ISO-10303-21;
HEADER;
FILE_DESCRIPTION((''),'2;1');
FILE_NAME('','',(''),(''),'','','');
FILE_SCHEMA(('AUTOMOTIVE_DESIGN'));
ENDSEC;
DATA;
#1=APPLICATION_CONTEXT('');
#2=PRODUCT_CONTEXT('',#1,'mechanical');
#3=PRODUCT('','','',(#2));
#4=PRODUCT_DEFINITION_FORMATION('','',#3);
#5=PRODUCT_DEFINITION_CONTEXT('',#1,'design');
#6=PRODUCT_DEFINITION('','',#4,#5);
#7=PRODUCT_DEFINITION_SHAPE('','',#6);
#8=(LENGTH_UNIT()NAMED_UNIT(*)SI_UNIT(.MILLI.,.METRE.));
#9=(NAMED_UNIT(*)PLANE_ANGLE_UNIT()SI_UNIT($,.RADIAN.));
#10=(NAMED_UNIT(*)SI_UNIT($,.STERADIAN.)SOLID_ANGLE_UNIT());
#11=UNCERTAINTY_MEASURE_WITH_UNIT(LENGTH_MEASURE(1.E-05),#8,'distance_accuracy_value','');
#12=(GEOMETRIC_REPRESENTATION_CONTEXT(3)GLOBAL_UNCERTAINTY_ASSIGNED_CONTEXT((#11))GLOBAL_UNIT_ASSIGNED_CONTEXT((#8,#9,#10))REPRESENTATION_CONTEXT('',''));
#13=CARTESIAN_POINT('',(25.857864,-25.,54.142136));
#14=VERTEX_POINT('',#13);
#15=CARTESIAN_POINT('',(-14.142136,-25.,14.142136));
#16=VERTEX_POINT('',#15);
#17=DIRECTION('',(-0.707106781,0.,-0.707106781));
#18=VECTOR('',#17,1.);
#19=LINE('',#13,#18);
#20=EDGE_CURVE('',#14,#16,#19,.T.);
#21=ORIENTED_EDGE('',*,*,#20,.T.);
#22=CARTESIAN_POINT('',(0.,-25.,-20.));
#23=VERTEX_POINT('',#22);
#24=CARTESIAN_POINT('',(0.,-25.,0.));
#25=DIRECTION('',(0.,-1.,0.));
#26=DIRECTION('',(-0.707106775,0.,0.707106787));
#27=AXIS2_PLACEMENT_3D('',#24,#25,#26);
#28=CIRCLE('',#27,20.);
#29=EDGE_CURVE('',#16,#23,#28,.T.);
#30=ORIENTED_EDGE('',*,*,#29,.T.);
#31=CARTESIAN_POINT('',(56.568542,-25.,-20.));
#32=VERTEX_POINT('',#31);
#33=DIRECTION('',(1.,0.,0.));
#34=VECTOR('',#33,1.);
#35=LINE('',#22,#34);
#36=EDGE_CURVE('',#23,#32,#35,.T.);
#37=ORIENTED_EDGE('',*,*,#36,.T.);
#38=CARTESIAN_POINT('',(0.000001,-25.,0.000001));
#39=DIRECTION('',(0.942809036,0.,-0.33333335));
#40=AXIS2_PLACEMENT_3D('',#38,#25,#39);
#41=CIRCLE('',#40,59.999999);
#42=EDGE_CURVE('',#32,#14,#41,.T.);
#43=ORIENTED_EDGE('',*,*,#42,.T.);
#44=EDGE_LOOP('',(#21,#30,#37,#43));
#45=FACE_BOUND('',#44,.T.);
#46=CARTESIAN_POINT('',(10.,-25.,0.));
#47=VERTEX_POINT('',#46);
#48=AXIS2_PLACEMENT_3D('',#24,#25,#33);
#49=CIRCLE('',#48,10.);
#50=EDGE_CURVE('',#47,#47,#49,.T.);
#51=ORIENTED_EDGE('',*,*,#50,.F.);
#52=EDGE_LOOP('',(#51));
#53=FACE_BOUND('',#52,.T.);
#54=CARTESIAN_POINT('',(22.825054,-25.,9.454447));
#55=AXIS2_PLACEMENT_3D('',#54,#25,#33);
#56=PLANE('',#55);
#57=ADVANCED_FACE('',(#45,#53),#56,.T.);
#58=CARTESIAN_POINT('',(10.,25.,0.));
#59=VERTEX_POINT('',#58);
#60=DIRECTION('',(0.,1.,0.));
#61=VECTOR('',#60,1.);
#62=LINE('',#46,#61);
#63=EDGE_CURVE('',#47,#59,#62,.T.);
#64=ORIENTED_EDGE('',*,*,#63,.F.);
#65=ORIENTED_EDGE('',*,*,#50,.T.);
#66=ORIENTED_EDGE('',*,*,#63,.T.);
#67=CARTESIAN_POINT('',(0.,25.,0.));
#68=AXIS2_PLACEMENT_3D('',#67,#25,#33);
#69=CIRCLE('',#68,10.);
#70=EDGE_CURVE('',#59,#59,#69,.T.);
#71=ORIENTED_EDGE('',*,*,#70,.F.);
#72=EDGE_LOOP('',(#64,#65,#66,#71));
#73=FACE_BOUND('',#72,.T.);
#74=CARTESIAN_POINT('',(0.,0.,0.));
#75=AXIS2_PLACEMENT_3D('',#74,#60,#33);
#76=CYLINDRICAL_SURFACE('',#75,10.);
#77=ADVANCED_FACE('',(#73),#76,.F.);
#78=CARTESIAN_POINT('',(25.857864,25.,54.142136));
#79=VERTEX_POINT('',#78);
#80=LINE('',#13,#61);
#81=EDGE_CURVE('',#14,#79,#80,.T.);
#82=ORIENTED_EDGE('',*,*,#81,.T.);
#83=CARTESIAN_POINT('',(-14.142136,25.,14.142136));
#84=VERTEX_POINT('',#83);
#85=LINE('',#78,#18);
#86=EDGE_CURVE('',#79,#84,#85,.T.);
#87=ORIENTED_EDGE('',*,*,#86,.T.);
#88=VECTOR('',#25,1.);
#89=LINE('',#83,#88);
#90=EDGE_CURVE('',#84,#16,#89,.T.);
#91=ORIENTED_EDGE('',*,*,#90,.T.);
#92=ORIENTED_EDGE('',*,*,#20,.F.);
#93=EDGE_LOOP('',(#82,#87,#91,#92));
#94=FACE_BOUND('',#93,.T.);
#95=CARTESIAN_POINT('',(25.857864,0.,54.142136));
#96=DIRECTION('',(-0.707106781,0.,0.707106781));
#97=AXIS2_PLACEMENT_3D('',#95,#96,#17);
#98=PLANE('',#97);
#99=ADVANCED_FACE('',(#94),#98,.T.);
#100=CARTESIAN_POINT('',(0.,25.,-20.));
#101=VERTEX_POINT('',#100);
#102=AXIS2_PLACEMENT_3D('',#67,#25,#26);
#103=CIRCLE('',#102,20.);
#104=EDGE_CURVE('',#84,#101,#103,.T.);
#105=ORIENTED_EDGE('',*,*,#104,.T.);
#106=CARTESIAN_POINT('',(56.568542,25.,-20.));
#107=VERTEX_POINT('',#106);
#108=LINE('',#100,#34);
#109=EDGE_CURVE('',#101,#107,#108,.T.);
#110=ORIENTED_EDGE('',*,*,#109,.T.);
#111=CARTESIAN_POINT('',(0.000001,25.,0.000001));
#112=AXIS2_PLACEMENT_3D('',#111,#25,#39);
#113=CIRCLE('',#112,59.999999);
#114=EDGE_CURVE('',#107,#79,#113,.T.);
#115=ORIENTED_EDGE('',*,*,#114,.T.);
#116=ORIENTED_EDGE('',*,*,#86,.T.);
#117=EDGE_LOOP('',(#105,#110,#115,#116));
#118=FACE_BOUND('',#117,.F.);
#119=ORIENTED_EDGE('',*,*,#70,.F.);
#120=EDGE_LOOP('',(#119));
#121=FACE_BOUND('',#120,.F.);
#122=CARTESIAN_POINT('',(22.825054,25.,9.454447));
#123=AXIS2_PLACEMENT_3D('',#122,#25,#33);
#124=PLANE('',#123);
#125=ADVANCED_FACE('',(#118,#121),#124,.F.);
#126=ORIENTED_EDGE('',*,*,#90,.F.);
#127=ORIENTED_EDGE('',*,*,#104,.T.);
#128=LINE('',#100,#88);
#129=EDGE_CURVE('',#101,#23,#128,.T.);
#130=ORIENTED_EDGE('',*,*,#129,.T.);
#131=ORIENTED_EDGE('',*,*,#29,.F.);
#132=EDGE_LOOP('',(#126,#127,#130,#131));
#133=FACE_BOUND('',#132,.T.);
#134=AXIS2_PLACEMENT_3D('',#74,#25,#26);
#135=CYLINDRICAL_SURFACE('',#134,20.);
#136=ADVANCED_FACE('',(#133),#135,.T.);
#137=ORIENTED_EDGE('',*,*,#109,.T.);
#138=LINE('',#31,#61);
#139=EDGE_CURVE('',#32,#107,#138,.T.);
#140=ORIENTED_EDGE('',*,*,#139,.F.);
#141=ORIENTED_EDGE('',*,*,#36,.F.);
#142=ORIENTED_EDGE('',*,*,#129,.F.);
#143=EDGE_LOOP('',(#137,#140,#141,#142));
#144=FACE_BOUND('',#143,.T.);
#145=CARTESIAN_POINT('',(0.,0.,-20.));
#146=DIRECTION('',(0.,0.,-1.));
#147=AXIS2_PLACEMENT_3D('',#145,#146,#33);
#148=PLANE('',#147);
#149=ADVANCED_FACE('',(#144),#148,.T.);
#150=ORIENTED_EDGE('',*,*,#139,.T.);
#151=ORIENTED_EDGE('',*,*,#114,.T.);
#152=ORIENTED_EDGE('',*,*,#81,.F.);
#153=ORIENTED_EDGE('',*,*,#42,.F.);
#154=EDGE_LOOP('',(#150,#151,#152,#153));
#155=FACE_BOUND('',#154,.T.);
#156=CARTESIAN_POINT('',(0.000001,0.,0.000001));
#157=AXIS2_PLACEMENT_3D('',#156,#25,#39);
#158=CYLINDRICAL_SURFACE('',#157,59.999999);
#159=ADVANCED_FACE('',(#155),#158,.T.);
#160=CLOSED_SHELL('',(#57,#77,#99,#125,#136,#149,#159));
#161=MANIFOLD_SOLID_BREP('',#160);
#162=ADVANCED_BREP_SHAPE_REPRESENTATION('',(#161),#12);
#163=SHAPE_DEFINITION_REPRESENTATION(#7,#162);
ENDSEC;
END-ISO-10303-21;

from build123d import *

# Parameters (mm, degrees)
F0_R     = 10
F1_DEPTH = 25


with BuildPart() as f1:
    # F0 (on Front) → F1 (new body, symmetric)
    with BuildSketch(Plane.XZ):
        with BuildLine():
            Line((25.857864, 54.142136), (-14.142136, 14.142136))
            ThreePointArc((-14.142136, 14.142136), (-18.477591, -7.653669), (0, -20))
            Line((0, -20), (56.568542, -20))
            ThreePointArc((56.568542, -20), (55.432772, 22.961006), (25.857864, 54.142136))
        make_face()
        Circle(F0_R, mode=Mode.SUBTRACT)
    extrude(amount=F1_DEPTH, both=True)


solid = f1.part
